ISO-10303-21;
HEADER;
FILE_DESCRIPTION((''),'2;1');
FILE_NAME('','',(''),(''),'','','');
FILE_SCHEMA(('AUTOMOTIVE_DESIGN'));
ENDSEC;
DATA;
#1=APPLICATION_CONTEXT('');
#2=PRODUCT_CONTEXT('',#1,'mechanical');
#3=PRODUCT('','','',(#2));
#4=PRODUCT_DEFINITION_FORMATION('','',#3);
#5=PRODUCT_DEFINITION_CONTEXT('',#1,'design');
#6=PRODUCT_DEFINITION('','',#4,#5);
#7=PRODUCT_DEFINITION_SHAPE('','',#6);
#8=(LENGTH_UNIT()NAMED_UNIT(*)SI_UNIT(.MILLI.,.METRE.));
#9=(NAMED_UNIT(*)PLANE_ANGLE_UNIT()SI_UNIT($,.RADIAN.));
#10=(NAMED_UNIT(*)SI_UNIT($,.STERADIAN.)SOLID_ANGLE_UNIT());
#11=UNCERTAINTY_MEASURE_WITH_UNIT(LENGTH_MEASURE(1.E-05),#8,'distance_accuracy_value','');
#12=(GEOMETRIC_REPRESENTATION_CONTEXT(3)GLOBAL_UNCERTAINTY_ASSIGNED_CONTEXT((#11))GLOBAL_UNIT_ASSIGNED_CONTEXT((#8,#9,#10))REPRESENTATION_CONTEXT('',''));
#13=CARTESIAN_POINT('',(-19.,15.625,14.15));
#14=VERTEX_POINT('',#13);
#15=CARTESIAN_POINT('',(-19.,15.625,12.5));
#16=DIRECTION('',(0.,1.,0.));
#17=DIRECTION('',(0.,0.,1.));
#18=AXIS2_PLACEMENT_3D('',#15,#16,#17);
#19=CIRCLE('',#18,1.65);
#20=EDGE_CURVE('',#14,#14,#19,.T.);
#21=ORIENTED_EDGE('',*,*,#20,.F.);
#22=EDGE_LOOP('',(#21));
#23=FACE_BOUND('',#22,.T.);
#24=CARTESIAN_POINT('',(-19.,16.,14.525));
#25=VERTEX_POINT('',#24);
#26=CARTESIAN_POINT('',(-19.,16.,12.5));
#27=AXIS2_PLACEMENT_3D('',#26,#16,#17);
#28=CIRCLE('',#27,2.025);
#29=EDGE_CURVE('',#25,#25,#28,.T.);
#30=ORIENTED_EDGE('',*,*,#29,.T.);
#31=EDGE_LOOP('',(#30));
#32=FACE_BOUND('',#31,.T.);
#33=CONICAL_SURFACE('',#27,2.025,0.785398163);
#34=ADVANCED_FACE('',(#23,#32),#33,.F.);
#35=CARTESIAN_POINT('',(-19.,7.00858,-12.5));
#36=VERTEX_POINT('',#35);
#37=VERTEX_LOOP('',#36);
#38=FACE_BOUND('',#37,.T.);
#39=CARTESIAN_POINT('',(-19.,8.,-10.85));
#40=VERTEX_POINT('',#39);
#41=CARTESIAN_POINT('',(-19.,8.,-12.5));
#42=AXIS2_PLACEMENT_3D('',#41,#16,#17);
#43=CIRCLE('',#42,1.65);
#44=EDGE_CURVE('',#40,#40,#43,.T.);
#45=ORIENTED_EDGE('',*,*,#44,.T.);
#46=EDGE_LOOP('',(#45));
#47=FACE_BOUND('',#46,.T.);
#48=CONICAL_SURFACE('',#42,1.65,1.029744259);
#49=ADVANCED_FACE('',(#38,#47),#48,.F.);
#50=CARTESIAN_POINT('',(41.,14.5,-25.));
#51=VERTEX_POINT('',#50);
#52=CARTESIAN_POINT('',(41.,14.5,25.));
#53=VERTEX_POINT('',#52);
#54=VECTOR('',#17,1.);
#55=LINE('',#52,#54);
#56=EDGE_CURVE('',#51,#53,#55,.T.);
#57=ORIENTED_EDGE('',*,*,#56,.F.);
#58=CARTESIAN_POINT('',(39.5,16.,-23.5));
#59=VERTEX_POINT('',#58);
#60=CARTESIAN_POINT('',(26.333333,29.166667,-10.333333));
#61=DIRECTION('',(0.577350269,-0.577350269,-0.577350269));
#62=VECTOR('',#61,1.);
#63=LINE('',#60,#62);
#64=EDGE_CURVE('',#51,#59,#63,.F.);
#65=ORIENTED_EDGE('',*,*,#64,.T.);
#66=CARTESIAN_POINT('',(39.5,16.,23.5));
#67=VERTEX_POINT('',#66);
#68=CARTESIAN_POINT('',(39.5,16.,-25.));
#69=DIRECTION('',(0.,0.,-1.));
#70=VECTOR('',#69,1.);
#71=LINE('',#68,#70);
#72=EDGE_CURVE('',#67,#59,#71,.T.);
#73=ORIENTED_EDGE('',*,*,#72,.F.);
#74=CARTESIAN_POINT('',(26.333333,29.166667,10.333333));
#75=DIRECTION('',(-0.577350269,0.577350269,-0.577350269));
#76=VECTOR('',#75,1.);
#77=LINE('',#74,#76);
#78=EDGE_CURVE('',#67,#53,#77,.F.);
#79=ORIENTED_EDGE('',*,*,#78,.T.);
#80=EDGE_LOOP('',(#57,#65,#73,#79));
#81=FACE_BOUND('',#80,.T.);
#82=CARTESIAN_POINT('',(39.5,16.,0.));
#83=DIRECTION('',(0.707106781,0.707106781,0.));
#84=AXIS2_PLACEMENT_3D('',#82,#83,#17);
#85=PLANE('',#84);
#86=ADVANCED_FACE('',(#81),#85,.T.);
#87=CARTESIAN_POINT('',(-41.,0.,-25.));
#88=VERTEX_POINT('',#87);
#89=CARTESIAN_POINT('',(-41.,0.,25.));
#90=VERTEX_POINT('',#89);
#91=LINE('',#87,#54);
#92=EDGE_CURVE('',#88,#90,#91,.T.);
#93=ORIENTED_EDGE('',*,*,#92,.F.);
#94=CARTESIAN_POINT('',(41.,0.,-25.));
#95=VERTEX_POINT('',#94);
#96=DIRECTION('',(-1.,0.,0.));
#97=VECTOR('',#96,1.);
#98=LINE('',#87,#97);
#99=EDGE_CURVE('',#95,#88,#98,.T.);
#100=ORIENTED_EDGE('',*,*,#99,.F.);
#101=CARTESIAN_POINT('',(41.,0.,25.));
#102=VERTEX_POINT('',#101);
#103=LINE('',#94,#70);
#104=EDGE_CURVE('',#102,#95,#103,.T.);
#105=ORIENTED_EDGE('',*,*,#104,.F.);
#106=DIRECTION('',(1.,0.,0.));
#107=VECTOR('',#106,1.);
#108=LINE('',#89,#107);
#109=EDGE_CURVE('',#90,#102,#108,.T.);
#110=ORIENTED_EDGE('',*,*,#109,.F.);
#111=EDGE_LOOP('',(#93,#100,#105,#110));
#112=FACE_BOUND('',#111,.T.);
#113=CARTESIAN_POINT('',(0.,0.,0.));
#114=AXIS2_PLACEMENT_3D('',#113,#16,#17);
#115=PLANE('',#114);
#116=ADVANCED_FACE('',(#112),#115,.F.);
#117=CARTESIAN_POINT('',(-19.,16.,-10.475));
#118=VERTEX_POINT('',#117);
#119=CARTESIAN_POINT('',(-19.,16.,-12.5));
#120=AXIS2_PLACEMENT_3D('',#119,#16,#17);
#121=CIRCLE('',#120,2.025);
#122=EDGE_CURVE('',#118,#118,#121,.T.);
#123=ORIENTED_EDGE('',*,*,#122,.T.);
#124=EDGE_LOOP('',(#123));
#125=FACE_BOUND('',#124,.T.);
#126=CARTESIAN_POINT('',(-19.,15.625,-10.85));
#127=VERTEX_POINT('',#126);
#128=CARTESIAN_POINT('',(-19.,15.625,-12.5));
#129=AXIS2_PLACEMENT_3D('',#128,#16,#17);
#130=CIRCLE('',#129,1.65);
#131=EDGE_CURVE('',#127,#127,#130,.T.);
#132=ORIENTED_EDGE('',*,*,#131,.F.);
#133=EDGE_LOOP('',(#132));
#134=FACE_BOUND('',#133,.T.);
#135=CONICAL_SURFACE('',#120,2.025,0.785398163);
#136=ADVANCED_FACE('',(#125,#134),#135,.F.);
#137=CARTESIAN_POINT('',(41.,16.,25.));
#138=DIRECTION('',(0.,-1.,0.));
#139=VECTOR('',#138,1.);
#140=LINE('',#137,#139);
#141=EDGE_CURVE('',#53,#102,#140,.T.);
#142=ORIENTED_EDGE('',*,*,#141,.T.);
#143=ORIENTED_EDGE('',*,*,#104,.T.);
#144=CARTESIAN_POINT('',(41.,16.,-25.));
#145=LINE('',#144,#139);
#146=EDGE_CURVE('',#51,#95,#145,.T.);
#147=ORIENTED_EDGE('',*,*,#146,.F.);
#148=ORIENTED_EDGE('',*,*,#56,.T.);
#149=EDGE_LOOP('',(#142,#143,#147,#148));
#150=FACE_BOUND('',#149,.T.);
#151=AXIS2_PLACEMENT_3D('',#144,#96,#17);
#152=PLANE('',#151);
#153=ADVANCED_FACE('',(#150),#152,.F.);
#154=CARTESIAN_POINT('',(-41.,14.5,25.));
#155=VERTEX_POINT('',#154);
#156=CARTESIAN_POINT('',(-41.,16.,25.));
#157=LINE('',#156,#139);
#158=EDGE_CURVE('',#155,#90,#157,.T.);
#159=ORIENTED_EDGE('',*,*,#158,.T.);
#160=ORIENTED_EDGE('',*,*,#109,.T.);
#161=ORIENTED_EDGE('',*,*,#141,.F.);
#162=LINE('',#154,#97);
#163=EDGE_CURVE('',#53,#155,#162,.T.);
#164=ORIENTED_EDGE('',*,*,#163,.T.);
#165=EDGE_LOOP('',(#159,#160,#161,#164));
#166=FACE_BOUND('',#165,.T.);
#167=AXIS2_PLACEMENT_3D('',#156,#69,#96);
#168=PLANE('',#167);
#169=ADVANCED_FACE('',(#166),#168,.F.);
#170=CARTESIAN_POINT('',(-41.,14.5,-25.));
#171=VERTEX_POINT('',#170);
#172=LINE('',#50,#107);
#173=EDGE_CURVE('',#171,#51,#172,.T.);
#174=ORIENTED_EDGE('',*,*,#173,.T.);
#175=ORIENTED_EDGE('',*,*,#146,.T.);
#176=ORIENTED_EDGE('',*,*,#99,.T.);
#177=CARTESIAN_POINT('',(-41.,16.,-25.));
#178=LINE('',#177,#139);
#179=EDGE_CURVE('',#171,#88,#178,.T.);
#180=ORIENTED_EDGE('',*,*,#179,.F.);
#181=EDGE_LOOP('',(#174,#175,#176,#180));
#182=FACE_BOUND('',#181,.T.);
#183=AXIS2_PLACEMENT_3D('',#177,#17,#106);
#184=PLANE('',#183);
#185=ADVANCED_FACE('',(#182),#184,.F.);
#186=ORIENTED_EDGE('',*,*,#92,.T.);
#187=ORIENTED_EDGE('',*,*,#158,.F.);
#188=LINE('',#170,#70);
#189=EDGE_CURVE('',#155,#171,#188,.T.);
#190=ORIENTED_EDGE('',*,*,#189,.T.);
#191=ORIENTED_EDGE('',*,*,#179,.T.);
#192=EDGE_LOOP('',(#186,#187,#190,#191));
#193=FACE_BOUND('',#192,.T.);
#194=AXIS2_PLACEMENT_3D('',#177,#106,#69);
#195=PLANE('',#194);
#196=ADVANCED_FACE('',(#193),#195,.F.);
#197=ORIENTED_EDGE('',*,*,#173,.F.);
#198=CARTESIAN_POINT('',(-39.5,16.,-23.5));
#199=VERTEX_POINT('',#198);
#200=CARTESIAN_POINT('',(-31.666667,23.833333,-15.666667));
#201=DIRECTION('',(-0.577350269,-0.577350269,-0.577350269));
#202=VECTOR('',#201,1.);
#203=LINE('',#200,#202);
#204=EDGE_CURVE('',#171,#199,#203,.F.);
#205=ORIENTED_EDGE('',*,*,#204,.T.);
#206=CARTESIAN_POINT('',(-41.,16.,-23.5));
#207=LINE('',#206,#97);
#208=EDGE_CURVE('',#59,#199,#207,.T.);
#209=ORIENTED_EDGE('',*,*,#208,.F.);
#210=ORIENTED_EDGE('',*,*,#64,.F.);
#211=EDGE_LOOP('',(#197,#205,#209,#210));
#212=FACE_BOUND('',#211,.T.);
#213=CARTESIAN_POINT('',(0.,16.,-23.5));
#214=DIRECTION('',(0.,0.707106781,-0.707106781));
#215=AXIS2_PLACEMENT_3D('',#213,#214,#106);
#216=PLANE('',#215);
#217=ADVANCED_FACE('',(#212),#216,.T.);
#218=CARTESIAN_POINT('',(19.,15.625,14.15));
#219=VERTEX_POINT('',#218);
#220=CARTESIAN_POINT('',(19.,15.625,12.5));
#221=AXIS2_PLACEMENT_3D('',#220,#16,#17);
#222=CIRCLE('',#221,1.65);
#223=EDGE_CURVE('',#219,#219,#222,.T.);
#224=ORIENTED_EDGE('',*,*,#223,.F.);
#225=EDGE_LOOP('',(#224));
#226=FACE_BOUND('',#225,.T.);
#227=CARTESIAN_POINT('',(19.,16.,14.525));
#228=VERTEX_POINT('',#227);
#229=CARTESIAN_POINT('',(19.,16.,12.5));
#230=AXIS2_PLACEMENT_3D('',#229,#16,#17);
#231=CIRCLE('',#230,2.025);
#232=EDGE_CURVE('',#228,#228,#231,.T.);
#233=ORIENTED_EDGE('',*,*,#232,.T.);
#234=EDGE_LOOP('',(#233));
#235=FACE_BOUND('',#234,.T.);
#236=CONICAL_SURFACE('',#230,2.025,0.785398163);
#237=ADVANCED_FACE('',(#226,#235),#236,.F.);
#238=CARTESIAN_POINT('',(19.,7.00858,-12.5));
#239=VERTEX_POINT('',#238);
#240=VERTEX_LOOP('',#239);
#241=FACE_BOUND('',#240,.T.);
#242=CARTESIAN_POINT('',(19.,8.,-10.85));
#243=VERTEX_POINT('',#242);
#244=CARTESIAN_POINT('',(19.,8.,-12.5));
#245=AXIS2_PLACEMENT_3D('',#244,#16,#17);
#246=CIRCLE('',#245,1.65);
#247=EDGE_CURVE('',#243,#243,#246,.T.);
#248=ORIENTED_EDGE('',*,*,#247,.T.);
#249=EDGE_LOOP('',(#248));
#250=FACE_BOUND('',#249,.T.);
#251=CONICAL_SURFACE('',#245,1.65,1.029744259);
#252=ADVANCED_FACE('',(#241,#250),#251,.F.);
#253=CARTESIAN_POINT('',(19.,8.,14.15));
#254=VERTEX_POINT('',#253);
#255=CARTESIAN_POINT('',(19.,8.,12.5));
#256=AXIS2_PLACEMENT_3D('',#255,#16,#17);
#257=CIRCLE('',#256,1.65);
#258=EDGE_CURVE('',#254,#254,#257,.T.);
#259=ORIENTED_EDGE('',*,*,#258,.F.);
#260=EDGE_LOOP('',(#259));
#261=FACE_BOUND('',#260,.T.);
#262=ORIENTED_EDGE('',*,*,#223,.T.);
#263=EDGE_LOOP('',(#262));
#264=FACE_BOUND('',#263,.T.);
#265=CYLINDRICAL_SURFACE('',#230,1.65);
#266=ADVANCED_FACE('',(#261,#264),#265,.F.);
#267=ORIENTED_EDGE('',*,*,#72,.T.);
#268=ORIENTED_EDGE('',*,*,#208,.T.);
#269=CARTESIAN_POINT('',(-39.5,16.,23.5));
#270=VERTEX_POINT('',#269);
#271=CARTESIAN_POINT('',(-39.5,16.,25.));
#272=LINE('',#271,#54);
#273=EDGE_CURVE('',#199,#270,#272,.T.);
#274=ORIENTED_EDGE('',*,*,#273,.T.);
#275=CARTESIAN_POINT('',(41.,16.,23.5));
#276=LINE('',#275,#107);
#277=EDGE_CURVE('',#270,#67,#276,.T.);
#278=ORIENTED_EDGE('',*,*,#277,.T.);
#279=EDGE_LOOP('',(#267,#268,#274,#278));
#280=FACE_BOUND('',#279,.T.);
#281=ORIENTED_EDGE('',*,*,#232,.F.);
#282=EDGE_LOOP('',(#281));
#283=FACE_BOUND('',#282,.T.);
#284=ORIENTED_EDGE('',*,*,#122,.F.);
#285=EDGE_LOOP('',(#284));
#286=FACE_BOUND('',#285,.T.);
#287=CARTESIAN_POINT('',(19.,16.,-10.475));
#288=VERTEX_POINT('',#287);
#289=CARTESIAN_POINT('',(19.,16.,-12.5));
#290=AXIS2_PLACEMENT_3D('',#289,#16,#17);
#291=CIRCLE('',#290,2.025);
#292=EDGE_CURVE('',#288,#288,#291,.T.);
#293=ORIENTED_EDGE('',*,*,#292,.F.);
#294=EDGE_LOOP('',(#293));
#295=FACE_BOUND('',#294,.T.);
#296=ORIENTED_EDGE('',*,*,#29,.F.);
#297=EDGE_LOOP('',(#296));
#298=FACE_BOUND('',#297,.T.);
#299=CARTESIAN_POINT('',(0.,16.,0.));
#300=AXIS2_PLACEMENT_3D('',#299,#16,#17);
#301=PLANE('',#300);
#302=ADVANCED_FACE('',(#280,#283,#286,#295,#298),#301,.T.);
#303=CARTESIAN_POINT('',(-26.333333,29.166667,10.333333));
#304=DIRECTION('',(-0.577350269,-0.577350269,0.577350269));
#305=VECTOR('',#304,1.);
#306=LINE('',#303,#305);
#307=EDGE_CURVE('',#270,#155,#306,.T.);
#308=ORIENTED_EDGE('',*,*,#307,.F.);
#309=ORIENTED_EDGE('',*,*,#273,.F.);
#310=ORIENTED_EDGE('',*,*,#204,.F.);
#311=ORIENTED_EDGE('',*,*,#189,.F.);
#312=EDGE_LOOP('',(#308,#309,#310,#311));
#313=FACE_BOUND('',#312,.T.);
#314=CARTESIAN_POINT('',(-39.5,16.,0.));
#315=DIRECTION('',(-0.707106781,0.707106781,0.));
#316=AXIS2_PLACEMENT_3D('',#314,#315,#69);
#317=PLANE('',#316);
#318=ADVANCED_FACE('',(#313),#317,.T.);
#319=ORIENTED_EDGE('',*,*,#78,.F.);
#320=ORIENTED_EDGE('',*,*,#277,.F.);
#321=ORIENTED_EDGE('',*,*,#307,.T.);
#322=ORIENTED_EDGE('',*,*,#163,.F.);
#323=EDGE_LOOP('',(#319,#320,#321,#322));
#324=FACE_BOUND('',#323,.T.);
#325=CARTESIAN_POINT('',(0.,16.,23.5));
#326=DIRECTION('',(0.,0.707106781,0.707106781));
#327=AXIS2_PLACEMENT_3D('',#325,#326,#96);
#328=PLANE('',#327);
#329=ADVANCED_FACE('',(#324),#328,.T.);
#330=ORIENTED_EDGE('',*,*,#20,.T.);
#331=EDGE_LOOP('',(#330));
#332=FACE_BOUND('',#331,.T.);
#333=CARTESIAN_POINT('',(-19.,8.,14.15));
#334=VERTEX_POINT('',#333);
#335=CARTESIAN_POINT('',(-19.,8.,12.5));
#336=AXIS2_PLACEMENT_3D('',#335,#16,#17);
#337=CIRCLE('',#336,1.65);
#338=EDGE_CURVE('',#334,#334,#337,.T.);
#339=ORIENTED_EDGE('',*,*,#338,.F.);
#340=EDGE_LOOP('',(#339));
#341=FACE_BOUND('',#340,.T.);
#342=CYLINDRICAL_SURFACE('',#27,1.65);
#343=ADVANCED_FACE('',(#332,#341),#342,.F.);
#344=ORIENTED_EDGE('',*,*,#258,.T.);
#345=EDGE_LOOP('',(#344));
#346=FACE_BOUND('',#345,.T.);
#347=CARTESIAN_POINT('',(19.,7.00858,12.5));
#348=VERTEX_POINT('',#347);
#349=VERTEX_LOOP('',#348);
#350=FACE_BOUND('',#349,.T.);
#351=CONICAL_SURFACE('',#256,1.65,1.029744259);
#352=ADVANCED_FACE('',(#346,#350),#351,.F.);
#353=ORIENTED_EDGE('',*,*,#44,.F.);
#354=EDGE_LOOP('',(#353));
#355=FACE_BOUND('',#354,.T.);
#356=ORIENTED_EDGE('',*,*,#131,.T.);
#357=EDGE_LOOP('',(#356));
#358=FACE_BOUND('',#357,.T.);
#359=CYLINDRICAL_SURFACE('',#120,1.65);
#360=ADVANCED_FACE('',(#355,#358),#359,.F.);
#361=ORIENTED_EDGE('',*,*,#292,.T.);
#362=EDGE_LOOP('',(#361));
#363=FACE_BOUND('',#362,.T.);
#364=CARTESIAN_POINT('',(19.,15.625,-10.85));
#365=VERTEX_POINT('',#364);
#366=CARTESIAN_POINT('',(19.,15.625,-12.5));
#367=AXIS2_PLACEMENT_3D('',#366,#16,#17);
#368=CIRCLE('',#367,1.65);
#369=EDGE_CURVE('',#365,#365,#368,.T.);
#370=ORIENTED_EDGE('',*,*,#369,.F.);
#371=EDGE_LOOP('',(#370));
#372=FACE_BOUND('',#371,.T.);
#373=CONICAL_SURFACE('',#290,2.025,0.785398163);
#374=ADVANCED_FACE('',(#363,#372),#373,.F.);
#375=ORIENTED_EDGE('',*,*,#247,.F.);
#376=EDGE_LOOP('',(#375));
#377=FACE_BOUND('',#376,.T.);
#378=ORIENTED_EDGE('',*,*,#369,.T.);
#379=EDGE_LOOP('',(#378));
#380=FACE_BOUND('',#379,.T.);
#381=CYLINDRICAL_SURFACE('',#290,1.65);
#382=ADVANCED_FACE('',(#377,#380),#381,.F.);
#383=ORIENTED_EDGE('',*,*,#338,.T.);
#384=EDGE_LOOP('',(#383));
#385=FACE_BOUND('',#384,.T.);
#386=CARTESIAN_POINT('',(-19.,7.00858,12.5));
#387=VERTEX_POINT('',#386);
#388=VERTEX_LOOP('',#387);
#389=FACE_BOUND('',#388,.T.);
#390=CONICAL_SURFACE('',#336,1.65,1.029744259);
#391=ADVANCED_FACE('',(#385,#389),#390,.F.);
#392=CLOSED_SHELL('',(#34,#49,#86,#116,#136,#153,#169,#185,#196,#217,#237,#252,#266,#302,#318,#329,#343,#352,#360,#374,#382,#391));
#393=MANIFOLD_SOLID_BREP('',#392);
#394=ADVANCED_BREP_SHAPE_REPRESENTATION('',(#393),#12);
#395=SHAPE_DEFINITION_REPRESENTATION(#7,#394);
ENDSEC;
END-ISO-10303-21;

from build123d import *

# Parameters (mm, degrees)
SKETCH1_W                   = 82
SKETCH1_H                   = 50
BOSS_EXTRUDE1_DEPTH         = 16
M4_TAPPED_HOLE1_D           = 3.3
M4_TAPPED_HOLE1_DEPTH       = 8
M4_TAPPED_HOLE1_CSINK_D     = 4.05
M4_TAPPED_HOLE1_CSINK_ANGLE = 90
M4_TAPPED_HOLE1_TIP         = 0.991420021
CHAMFER1_SIZE               = 1.5


with BuildPart() as part:
    # Sketch1 → Boss-Extrude1 (new body)
    with BuildSketch(Plane(origin=(0, 0, 0), x_dir=(1, 0, 0), z_dir=(0, 1, 0))):
        Rectangle(SKETCH1_W, SKETCH1_H)
    extrude(amount=BOSS_EXTRUDE1_DEPTH)

    # M4 Tapped Hole1
    with Locations(Plane(origin=(0, 16, 0), x_dir=(1, 0, 0), z_dir=(0, 1, 0))):
        with Locations((-19, 12.5), (-19, -12.5), (19, -12.5), (19, 12.5)):
            CounterSinkHole(M4_TAPPED_HOLE1_D / 2, M4_TAPPED_HOLE1_CSINK_D / 2, depth=M4_TAPPED_HOLE1_DEPTH, counter_sink_angle=M4_TAPPED_HOLE1_CSINK_ANGLE)
            with Locations((0, 0, -(M4_TAPPED_HOLE1_DEPTH + M4_TAPPED_HOLE1_TIP / 2))):  # 118° drill point
                Cone(0, M4_TAPPED_HOLE1_D / 2, M4_TAPPED_HOLE1_TIP, mode=Mode.SUBTRACT)

    # Chamfer1
    chamfer1_edges = [part.edges().sort_by_distance(p)[0] for p in [
        (-41, 16, 0),
        (0, 16, 25),
        (41, 16, 0),
        (0, 16, -25),
    ]]
    chamfer(chamfer1_edges, length=CHAMFER1_SIZE)


solid = part.part
